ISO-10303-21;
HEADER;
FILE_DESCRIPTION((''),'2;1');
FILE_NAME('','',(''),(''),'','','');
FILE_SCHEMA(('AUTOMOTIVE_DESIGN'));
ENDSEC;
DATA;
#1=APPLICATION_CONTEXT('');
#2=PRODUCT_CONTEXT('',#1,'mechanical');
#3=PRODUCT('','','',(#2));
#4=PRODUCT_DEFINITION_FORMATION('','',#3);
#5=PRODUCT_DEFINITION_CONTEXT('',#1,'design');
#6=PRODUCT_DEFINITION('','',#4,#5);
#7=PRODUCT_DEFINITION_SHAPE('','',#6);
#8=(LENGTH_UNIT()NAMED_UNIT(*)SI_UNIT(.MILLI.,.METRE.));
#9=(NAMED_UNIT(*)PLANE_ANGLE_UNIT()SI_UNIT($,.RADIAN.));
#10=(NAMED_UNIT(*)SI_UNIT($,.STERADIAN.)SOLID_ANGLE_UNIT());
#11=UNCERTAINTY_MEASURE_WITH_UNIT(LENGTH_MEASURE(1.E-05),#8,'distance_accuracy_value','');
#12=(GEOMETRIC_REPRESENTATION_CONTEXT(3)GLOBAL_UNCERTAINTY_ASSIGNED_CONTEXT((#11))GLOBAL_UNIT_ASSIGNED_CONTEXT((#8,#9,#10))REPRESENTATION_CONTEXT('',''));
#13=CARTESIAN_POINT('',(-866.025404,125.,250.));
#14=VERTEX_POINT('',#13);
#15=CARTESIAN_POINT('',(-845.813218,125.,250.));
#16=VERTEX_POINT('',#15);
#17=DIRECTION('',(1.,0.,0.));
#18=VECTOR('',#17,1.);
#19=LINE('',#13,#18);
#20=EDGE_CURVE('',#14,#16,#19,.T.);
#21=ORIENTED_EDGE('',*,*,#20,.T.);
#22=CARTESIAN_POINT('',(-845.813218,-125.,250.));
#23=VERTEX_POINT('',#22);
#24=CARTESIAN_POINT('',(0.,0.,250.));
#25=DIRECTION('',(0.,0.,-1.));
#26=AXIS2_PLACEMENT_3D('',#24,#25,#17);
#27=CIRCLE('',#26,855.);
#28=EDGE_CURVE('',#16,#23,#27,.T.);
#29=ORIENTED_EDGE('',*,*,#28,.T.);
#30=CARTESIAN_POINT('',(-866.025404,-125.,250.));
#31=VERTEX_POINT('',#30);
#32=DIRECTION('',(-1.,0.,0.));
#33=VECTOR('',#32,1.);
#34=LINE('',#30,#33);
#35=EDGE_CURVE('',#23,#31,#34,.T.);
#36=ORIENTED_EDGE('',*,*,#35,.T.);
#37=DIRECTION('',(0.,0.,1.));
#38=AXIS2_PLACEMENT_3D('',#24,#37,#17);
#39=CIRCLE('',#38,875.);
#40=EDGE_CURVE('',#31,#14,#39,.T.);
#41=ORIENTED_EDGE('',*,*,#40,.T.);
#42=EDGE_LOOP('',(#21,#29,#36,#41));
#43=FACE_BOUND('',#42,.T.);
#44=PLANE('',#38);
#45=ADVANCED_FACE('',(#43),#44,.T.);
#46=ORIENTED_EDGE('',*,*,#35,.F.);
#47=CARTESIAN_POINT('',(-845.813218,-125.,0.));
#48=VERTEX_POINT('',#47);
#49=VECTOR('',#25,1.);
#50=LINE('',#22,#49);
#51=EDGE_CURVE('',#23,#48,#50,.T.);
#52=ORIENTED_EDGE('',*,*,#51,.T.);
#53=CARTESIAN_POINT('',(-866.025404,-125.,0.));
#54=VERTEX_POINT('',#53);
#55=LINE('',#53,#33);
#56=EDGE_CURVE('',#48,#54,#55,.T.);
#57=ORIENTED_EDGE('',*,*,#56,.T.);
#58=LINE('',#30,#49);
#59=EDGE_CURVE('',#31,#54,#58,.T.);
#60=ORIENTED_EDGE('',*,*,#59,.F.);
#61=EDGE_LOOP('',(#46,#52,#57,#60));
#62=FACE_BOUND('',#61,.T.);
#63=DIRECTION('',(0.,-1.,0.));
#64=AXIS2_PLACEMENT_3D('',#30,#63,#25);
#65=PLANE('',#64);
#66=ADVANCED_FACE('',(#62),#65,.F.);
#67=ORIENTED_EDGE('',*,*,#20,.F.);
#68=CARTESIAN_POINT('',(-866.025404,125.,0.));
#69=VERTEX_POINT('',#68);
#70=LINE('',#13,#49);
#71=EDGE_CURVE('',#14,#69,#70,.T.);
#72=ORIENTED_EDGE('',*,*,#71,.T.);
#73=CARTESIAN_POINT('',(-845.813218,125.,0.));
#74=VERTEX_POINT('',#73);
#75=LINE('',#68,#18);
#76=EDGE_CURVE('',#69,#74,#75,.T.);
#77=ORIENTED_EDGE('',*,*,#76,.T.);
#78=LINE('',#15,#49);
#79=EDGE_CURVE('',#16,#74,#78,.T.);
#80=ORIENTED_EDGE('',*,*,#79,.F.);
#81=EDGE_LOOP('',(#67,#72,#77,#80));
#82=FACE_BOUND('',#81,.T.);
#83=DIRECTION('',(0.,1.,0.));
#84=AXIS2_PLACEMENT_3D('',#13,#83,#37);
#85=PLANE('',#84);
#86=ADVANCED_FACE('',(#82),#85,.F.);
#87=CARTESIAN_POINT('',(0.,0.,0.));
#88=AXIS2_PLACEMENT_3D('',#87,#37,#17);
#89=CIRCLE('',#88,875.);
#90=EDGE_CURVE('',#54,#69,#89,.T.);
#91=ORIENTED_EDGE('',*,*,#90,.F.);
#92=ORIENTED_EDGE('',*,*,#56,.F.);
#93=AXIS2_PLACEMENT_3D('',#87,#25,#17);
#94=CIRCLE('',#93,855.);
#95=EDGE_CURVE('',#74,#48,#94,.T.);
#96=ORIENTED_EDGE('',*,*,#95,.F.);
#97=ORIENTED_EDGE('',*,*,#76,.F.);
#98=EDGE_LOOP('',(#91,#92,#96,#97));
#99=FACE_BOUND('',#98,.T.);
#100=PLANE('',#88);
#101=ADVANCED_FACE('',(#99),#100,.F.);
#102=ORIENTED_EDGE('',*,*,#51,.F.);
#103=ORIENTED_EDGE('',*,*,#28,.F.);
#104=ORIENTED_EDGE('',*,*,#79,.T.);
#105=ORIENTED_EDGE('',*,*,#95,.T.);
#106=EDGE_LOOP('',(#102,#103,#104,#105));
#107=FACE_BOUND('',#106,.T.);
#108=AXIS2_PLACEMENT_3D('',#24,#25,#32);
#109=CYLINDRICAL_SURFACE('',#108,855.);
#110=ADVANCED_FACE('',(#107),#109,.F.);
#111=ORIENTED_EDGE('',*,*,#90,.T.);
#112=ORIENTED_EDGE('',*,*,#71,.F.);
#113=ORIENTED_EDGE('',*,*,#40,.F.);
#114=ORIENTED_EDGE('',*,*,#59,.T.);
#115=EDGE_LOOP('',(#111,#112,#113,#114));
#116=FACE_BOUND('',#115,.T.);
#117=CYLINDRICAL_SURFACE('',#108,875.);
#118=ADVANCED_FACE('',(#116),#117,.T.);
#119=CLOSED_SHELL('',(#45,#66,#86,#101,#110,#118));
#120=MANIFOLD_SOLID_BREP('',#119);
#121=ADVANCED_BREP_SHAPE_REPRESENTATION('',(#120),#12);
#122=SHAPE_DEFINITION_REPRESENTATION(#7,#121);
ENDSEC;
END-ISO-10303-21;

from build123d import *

# Parameters (mm, degrees)
BOSS_EXTRUDE1_DEPTH = 250


with BuildPart() as part:
    # Sketch1 → Boss-Extrude1 (new body)
    with BuildSketch(Plane.XY):
        with BuildLine():
            Line((-866.025403784, -125), (-845.813218152, -125))
            ThreePointArc((-845.813218152, -125), (855, 0), (-845.813218152, 125))
            Line((-845.813218152, 125), (-866.025403784, 125))
            ThreePointArc((-866.025403784, 125), (875, 0), (-866.025403784, -125))
        make_face()
    extrude(amount=BOSS_EXTRUDE1_DEPTH)


solid = part.part
